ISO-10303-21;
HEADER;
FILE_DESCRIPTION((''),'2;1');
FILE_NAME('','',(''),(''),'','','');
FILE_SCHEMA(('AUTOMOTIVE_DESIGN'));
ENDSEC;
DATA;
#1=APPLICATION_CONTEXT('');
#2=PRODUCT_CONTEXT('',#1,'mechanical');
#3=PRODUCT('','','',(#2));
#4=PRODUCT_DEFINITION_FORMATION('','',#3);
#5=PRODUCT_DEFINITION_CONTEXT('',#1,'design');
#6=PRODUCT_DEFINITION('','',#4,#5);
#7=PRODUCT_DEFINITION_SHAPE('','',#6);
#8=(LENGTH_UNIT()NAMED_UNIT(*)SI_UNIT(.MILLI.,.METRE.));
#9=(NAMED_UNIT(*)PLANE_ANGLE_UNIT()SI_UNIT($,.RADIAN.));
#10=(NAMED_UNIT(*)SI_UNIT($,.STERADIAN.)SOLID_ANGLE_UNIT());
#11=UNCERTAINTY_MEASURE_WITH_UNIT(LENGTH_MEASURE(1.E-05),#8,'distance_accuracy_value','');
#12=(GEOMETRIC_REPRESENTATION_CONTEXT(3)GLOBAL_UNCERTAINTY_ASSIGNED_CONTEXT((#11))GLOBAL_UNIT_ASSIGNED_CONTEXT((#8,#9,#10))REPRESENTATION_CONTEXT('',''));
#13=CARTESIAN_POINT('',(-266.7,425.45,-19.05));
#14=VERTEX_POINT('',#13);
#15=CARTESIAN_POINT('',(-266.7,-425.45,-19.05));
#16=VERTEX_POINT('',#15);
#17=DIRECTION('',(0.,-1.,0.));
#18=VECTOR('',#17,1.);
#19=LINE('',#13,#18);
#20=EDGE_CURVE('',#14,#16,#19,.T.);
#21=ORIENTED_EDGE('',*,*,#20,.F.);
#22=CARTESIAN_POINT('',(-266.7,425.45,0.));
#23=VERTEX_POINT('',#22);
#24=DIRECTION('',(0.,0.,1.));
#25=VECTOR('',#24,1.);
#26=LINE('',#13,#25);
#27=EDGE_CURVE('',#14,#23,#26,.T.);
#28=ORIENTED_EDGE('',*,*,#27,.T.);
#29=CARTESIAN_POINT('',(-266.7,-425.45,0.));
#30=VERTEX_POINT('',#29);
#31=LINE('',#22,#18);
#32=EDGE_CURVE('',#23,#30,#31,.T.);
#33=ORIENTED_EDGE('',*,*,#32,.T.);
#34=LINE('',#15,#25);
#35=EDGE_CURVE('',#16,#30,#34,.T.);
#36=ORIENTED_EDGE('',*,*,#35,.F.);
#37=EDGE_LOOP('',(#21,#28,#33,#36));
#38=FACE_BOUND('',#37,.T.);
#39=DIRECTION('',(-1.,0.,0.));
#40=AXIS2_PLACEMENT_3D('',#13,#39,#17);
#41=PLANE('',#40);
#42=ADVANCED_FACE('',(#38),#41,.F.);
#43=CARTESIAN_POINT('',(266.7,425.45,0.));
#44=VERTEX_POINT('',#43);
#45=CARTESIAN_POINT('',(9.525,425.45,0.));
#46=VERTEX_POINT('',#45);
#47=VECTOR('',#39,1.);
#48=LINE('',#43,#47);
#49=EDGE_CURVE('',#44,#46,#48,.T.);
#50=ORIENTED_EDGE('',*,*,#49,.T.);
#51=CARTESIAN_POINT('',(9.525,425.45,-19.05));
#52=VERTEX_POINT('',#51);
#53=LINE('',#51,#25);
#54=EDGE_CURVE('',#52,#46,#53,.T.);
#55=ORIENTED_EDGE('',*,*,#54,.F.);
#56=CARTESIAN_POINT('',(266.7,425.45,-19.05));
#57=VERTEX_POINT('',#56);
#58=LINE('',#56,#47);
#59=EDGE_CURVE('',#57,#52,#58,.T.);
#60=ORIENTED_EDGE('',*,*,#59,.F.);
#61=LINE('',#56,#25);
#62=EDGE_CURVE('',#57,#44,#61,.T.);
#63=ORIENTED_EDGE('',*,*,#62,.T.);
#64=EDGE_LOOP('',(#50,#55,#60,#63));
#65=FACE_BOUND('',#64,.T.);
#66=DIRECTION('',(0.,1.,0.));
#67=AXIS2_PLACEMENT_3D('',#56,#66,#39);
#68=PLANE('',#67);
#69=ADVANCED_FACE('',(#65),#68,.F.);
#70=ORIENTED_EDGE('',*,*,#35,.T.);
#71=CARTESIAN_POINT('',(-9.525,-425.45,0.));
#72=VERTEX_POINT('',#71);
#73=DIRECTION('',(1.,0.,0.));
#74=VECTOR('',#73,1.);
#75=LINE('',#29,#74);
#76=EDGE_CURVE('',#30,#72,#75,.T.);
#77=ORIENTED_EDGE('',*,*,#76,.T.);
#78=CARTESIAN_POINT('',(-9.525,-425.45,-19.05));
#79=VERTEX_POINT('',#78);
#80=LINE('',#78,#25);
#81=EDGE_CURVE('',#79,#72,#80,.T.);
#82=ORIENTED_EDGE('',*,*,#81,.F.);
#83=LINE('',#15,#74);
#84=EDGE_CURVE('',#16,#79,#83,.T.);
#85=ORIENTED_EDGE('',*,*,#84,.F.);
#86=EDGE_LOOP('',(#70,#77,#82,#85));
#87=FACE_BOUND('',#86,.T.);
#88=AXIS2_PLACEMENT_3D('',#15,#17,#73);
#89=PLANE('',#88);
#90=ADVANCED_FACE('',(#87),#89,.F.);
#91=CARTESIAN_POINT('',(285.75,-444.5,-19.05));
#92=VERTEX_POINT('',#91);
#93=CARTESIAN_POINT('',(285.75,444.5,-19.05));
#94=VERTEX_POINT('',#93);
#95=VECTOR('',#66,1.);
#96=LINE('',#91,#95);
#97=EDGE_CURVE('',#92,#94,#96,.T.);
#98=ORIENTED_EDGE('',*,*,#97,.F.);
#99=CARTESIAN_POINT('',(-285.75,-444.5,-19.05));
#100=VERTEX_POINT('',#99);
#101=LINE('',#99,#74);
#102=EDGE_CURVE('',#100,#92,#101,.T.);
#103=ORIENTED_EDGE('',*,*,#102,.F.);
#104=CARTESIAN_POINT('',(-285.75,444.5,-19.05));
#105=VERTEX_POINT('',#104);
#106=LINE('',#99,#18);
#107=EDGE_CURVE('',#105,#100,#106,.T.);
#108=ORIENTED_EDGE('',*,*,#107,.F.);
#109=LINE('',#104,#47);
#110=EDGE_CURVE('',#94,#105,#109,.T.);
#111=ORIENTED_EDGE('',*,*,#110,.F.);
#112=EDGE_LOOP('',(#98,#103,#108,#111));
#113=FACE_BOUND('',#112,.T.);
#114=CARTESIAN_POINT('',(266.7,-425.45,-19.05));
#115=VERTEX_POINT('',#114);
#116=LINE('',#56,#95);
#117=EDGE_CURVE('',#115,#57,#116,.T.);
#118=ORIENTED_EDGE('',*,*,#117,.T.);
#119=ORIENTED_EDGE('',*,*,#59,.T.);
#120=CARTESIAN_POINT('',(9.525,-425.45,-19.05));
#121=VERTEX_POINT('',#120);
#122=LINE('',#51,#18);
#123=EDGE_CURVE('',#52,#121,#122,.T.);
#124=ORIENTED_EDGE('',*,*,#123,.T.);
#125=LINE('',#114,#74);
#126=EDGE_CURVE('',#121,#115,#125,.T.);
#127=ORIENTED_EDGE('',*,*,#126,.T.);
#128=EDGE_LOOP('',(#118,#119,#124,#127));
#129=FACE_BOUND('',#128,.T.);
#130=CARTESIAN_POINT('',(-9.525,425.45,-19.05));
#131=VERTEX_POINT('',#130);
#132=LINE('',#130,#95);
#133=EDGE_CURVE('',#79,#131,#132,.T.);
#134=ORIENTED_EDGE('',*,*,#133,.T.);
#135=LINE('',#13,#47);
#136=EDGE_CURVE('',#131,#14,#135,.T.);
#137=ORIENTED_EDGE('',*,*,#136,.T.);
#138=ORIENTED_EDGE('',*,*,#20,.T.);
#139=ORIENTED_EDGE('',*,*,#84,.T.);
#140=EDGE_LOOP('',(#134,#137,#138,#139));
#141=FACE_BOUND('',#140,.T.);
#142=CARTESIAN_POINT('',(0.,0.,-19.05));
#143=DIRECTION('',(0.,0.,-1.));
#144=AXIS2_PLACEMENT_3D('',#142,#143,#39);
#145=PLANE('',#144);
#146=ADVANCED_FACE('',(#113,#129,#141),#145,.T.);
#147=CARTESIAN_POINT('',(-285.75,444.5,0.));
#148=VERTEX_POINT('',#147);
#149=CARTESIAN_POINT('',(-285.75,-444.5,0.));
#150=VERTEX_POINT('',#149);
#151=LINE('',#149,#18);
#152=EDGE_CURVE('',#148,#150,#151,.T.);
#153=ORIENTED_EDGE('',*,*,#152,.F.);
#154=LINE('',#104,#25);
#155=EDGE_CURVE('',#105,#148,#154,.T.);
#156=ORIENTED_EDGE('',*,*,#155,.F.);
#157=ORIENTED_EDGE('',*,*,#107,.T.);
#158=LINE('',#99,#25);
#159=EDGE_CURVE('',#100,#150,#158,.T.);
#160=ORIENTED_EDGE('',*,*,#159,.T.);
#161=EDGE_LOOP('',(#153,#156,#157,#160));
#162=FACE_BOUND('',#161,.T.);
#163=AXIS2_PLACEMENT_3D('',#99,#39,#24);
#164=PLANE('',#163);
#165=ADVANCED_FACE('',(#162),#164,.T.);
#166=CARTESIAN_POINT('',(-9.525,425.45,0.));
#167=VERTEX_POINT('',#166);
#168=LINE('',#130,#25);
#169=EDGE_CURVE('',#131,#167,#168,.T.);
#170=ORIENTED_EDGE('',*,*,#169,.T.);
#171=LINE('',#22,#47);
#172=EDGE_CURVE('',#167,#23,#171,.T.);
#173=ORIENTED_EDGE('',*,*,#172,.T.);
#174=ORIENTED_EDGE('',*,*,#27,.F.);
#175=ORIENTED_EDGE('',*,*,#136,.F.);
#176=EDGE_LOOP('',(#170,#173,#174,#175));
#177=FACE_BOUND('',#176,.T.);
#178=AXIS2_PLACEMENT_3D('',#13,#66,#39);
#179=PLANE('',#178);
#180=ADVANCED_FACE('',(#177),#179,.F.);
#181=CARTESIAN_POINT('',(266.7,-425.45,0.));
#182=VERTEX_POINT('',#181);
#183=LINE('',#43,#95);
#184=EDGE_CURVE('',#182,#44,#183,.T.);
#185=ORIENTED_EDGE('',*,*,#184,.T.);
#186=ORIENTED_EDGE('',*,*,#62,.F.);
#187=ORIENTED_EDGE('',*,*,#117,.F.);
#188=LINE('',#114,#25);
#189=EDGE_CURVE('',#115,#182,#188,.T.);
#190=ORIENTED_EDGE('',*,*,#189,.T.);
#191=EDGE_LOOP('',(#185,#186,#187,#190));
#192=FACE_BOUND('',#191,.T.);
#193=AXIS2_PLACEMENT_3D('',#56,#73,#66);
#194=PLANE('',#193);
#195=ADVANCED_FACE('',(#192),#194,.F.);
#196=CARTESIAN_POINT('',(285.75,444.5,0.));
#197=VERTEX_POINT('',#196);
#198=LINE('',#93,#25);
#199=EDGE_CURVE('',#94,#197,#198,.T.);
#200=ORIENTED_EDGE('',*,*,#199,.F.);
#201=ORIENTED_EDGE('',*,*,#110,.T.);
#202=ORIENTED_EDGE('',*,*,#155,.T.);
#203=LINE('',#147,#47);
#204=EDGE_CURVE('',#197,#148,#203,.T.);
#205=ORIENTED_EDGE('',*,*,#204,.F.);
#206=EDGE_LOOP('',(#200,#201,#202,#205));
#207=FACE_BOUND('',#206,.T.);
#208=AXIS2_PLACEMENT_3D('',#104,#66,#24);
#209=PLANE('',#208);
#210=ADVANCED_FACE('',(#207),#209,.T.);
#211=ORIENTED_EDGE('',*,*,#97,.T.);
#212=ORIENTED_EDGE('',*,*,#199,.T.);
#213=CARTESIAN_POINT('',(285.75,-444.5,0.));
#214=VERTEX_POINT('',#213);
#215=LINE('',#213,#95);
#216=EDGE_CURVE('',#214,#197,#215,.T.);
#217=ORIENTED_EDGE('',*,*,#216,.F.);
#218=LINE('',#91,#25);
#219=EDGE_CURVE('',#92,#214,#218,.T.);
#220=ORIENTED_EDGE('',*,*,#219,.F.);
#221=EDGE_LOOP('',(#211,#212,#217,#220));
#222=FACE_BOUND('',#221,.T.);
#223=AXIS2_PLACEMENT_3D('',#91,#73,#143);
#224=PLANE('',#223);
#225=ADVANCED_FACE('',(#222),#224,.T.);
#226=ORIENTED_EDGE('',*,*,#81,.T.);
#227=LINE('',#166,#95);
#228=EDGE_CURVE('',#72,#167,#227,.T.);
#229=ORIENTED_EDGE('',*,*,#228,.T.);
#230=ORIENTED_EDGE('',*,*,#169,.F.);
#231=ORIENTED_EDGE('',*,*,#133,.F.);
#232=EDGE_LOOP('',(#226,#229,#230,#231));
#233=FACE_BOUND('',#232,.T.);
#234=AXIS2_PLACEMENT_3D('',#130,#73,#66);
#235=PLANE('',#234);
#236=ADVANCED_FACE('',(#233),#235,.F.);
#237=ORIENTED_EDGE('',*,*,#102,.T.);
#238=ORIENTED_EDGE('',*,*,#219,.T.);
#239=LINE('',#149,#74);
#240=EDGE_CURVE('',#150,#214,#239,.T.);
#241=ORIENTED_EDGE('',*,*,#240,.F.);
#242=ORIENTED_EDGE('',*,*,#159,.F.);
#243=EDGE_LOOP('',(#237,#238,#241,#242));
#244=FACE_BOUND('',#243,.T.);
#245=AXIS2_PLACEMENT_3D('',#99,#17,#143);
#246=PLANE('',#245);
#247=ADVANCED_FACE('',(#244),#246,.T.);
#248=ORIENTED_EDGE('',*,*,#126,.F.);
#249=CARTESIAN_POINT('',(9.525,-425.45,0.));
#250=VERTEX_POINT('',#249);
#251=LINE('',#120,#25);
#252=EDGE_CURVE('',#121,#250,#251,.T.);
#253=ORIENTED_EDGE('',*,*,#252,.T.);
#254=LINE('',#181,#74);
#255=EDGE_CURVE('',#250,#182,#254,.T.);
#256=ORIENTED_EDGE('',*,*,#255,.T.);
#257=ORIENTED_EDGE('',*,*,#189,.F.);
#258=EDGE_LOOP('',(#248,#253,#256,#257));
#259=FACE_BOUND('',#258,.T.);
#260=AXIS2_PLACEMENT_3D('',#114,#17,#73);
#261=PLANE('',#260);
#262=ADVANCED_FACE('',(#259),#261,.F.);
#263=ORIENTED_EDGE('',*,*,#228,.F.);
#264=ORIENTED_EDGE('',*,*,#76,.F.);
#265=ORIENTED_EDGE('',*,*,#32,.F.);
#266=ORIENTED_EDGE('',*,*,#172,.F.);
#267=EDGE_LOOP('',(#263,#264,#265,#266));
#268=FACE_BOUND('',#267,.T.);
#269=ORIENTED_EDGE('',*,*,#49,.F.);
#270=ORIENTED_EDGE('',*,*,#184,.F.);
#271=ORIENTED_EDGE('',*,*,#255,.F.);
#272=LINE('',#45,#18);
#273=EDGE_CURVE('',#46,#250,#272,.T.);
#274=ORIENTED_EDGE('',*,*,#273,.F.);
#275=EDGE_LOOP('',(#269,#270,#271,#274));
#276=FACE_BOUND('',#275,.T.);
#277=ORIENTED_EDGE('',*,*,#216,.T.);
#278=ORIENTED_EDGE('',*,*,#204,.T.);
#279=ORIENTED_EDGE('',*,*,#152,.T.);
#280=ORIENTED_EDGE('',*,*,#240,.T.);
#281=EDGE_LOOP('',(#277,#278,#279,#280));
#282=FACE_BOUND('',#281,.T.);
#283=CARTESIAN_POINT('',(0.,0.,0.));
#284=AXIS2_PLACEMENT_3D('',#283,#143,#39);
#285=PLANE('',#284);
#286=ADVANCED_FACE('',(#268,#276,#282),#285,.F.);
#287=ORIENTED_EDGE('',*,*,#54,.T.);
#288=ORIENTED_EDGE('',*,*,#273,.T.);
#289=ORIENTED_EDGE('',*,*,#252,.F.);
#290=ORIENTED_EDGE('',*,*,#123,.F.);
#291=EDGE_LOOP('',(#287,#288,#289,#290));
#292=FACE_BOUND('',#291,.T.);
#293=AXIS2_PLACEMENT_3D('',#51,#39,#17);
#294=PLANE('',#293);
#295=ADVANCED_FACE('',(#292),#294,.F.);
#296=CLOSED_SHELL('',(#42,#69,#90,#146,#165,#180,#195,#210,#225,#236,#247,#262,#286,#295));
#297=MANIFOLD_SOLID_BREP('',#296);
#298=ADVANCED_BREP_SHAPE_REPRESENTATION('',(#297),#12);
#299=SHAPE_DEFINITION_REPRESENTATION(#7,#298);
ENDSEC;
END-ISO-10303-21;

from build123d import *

# Parameters (mm, degrees)
SKETCH1_W           = 571.5
SKETCH1_H           = 889
BOSS_EXTRUDE1_DEPTH = 19.05
SKETCH2_W           = 257.175
SKETCH2_H           = 850.9
CUT_EXTRUDE1_DEPTH  = 20.05


with BuildPart() as part:
    # Sketch1 → Boss-Extrude1 (new body)
    with BuildSketch(Plane.XY):
        Rectangle(SKETCH1_W, SKETCH1_H)
    extrude(amount=-BOSS_EXTRUDE1_DEPTH)

    # Sketch2 → Cut-Extrude1 (cut, through all)
    with BuildSketch(Plane.XY):
        with Locations((-138.1125, 0)):
            Rectangle(SKETCH2_W, SKETCH2_H)
        with Locations((138.1125, 0)):
            Rectangle(SKETCH2_W, SKETCH2_H)
    extrude(amount=-CUT_EXTRUDE1_DEPTH, mode=Mode.SUBTRACT)


solid = part.part
